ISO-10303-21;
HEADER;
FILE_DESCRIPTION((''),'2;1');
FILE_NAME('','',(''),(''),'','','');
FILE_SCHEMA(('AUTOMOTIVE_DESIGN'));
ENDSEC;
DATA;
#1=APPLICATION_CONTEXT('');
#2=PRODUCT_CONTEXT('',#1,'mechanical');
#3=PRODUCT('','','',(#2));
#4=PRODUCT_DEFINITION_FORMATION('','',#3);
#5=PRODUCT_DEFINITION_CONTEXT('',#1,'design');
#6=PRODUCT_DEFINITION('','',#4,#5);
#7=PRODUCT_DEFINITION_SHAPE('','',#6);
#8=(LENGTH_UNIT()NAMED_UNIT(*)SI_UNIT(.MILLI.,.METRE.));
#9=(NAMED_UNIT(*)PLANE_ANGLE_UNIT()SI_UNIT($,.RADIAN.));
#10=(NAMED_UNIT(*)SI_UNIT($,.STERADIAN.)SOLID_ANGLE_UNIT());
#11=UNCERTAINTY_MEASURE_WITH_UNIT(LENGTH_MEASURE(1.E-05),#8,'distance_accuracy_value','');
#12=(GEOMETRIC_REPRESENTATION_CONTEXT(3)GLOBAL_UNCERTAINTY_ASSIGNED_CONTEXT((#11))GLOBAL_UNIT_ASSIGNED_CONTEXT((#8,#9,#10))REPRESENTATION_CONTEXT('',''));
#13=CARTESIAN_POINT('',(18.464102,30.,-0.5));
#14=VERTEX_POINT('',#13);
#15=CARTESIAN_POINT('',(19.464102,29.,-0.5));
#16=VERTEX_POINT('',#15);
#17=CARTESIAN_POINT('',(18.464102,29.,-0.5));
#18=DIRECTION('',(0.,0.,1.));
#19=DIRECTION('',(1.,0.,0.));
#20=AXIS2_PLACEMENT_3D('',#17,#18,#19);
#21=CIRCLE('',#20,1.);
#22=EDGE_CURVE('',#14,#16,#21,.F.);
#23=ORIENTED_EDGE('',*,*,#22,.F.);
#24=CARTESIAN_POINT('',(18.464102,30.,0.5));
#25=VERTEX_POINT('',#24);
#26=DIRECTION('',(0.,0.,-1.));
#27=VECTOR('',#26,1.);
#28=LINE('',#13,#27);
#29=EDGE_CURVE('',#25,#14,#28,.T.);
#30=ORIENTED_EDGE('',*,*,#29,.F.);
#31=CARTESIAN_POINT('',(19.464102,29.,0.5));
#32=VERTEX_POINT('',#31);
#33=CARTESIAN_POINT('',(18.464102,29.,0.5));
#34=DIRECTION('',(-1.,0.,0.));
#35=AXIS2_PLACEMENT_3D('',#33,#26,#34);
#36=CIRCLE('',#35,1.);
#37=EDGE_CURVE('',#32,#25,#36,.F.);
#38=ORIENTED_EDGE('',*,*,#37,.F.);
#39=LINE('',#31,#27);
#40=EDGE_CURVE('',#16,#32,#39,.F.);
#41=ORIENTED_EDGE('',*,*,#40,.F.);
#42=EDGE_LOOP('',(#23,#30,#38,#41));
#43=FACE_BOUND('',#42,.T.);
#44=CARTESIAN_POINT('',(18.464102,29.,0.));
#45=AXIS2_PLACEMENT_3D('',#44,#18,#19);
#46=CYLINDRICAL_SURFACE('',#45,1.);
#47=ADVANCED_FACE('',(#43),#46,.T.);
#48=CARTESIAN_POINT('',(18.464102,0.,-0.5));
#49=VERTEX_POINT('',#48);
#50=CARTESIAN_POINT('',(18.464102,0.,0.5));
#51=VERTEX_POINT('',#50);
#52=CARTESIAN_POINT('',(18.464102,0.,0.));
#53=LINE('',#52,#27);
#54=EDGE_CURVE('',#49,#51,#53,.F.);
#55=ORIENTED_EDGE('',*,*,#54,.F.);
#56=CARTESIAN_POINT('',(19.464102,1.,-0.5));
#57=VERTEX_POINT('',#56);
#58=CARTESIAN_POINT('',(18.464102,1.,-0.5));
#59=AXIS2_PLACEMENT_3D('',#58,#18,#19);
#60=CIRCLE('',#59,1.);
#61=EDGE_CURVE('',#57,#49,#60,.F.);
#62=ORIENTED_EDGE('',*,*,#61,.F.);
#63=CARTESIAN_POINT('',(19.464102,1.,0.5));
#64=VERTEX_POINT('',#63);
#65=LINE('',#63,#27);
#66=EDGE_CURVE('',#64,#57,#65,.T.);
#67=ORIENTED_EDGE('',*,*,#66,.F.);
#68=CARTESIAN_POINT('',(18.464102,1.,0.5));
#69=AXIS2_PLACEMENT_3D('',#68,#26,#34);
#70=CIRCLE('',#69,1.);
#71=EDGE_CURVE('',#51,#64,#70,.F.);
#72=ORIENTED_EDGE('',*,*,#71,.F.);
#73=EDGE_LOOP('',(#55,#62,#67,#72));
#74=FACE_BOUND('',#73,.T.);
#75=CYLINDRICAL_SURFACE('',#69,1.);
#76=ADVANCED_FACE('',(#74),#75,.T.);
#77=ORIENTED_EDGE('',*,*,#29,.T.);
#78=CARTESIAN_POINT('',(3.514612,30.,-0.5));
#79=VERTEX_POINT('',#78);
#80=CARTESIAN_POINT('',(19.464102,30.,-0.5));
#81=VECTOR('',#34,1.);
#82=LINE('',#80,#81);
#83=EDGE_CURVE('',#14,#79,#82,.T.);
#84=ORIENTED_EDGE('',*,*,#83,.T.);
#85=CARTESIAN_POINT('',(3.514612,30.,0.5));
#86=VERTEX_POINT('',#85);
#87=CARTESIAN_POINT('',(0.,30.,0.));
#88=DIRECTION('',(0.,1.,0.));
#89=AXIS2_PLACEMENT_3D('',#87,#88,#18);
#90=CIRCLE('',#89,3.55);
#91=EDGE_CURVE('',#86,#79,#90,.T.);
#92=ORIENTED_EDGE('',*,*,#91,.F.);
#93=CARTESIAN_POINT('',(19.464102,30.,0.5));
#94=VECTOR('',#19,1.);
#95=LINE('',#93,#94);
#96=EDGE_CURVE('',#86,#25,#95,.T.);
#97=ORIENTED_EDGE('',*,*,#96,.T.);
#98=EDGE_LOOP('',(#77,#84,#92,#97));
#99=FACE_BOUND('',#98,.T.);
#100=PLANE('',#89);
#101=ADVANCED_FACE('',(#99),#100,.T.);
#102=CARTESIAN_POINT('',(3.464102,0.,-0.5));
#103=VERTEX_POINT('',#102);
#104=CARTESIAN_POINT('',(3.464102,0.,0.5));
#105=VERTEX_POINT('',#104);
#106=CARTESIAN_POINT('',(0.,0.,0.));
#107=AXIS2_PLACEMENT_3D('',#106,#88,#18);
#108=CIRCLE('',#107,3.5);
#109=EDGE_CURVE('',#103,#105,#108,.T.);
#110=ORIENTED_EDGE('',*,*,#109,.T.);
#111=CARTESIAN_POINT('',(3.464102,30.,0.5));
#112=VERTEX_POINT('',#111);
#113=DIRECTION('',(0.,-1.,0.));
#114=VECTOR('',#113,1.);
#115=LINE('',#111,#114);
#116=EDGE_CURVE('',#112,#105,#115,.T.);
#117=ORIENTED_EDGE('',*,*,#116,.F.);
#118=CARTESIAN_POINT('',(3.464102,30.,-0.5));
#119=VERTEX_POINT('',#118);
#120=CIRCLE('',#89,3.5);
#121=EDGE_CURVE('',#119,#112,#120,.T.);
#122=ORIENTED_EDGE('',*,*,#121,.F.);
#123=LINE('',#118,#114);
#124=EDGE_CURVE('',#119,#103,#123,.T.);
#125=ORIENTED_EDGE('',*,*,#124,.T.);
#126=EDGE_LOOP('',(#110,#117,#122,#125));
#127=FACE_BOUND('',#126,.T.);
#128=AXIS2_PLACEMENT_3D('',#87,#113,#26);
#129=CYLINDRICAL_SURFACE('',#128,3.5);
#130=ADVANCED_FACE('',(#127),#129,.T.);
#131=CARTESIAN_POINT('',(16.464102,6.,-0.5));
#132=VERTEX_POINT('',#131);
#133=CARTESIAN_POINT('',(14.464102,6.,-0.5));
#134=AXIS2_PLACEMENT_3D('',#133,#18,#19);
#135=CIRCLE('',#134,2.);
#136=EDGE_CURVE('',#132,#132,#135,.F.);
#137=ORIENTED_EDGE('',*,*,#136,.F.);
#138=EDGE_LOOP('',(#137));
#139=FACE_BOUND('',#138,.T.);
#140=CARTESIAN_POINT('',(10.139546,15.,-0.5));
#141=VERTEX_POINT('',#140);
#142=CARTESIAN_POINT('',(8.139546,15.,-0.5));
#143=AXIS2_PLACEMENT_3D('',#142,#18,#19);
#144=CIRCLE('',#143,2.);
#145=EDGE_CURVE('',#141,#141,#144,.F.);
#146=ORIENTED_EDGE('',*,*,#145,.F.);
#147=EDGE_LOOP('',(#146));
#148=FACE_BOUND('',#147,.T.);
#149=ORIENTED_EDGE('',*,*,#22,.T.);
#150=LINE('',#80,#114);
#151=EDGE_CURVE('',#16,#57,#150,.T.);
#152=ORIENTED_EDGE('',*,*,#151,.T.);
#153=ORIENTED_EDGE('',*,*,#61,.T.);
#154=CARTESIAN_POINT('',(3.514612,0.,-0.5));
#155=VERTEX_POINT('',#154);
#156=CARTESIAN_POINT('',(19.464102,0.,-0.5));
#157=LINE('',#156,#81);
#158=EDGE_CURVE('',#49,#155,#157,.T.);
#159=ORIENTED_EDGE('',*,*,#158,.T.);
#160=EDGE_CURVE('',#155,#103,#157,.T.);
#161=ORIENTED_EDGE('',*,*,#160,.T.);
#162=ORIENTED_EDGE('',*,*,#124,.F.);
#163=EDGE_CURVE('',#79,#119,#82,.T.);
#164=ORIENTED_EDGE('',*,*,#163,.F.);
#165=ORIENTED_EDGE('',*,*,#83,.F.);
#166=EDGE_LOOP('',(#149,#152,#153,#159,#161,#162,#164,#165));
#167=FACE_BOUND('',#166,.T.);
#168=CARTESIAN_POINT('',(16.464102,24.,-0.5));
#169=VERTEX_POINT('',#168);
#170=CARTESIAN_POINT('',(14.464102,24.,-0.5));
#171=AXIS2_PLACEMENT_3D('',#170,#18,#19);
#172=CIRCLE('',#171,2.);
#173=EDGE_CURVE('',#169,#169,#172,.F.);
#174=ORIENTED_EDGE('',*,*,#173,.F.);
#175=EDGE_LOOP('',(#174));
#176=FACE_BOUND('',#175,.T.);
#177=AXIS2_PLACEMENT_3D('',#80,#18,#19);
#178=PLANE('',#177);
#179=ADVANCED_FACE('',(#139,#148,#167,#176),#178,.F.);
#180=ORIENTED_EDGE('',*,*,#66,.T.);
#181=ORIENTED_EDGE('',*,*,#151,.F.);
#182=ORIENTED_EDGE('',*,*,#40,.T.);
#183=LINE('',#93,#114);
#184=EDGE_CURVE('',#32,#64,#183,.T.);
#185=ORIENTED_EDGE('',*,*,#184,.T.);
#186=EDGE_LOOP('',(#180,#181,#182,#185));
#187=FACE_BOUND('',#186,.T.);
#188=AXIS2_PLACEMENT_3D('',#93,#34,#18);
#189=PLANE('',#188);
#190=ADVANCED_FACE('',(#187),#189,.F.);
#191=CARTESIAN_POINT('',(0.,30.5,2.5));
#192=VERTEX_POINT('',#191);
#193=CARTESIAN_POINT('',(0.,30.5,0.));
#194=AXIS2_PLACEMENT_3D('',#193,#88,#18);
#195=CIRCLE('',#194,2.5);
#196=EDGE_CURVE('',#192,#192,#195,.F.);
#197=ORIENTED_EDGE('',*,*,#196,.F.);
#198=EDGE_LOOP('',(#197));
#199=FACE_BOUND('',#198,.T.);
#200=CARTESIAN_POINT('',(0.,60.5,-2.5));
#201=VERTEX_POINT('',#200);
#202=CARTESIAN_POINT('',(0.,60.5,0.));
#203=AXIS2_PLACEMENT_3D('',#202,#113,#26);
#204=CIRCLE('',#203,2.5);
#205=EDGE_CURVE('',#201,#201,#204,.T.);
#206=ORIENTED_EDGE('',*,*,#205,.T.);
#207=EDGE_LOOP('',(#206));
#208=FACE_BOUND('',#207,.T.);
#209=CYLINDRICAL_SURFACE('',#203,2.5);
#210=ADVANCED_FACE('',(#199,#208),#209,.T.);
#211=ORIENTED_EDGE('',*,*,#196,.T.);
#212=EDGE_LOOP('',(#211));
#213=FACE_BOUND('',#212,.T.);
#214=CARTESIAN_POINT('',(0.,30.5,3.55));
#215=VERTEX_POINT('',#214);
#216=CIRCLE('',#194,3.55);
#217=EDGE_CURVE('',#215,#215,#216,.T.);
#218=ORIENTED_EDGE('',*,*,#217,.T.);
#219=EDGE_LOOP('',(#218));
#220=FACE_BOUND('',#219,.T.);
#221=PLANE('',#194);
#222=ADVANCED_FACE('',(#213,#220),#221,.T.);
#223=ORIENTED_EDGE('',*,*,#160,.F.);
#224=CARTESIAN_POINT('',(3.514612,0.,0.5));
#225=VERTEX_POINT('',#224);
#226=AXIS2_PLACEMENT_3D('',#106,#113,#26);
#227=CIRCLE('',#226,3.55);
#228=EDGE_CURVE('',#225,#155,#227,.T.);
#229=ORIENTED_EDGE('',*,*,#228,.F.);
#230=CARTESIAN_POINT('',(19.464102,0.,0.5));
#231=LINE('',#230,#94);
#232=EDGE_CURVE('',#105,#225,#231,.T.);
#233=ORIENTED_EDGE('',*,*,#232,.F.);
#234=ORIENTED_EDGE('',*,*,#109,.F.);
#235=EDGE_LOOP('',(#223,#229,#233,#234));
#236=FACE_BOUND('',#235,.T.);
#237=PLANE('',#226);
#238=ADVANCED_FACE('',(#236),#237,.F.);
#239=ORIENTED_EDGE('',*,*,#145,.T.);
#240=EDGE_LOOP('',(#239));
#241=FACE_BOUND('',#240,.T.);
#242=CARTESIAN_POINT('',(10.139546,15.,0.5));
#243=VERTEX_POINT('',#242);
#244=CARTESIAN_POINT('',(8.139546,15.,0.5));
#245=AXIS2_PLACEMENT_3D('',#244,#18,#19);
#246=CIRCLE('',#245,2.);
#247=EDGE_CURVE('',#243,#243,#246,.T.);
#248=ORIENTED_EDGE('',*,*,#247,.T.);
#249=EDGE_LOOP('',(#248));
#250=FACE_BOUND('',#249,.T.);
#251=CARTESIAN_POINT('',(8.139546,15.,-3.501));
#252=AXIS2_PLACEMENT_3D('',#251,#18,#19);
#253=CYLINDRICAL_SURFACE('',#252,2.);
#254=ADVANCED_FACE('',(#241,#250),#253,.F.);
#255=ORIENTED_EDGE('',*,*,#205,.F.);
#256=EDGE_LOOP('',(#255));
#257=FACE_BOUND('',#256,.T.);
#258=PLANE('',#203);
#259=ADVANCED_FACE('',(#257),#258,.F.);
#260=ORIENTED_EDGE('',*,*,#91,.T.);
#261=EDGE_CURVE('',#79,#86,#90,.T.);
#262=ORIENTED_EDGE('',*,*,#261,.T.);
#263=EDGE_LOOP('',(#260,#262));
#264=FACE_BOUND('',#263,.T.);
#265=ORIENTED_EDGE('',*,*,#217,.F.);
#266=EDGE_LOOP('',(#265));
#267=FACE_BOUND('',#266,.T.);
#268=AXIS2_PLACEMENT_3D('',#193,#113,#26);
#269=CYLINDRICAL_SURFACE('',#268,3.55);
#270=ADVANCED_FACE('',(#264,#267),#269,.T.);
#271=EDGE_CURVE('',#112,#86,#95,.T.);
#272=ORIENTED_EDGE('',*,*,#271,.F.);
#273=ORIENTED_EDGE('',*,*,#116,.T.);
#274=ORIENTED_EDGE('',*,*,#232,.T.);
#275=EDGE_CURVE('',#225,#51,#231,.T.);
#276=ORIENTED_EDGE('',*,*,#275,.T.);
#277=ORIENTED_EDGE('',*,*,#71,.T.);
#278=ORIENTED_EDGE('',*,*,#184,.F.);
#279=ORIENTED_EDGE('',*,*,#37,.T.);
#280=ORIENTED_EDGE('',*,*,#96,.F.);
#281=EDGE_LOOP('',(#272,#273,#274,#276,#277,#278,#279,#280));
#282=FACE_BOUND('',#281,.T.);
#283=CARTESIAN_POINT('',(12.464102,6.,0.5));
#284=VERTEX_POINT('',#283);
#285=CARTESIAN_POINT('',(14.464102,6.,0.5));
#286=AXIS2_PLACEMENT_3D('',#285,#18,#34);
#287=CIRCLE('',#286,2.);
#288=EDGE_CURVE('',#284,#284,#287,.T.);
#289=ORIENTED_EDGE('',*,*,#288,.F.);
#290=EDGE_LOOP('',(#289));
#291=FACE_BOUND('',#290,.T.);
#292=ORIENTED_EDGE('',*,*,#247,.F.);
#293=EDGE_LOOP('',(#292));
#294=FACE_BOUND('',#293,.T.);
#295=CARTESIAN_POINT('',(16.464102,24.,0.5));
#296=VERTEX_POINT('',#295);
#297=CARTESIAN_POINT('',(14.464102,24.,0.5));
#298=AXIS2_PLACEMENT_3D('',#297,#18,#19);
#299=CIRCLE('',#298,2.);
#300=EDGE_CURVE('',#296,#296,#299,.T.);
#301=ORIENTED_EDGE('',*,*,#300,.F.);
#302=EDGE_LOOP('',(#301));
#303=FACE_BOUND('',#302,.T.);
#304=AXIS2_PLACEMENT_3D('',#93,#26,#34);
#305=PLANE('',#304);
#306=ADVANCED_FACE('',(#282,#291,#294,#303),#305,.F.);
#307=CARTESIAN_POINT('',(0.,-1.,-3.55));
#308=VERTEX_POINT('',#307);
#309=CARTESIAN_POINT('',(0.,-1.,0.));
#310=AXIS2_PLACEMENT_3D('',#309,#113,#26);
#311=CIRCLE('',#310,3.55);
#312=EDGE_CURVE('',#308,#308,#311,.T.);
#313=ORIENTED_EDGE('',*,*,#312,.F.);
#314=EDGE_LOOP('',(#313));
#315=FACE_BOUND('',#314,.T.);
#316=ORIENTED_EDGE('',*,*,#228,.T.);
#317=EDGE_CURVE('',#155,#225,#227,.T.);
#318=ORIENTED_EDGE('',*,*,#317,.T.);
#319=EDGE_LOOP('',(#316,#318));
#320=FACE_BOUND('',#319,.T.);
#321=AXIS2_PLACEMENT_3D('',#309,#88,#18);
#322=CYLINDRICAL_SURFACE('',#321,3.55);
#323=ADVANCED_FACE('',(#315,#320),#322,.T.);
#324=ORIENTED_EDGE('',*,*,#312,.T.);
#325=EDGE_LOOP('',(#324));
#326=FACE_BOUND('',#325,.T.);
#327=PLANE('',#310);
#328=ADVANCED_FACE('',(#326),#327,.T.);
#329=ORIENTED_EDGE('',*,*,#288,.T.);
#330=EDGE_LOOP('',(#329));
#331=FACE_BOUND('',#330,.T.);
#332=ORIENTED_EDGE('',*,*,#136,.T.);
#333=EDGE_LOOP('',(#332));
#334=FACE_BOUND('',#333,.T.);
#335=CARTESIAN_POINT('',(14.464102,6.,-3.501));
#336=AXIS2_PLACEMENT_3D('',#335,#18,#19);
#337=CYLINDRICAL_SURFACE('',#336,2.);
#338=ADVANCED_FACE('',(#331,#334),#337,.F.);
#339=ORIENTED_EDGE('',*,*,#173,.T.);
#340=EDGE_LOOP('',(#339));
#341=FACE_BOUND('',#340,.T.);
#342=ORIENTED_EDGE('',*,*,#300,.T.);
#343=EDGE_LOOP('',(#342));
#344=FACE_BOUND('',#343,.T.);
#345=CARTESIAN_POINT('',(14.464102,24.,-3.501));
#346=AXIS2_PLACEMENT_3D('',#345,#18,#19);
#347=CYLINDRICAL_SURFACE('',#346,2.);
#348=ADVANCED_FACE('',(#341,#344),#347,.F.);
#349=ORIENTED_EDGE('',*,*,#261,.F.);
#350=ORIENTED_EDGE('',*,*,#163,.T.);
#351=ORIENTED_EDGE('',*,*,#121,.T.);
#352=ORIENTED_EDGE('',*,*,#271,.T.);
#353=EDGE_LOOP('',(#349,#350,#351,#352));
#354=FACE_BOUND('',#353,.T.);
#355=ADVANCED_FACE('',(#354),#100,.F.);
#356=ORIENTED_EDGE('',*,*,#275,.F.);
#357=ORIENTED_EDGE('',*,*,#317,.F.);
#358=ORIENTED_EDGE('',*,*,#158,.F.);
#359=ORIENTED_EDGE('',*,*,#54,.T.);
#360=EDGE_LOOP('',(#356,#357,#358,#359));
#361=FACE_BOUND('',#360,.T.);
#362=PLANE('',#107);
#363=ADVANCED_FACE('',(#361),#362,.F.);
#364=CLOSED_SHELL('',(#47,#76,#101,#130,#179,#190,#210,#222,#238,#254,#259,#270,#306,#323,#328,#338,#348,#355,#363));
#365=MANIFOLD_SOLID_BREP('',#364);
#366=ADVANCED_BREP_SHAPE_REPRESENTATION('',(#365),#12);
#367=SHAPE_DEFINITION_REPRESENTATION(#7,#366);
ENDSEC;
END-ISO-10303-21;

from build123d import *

# Parameters (mm, degrees)
SKETCH_1_R          = 2.5
EXTRUDE_1_DEPTH     = 30
CUT_EXTRUDE_1_REACH = 37.984
SKETCH_2_R          = 2
FILLET_1_R          = 1
SKETCH_3_R          = 2.5
EXTRUDE_2_DEPTH     = 60.5
SKETCH_4_R          = 3.55
EXTRUDE_3_DEPTH     = 1
SKETCH_5_R          = 3.55
SKETCH_5_R_2        = 2.5
EXTRUDE_4_DEPTH     = 0.5


with BuildPart() as part:
    # 草图1 → 凸台-拉伸1 (new body)
    with BuildSketch(Plane(origin=(0, 0, 0), x_dir=(1, 0, 0), z_dir=(0, 1, 0))):
        with BuildLine():
            Line((19.464101615, -0.5), (3.464101615, -0.5))
            ThreePointArc((3.464101615, -0.5), (-3.5, 0), (3.464101615, 0.5))
            Line((3.464101615, 0.5), (19.464101615, 0.5))
            Line((19.464101615, 0.5), (19.464101615, -0.5))
        make_face()
        with Locations(Location((0, 0, 0), (0, 0, 270))):
            Circle(SKETCH_1_R, mode=Mode.SUBTRACT)
    extrude(amount=EXTRUDE_1_DEPTH)

    # 草图2 → 切除-拉伸1 (cut, up to next)
    with BuildSketch(Plane.XY.offset(0.5), mode=Mode.PRIVATE) as cut_extrude_1_sk1:
        with Locations((14.464101615, 24)):
            Circle(SKETCH_2_R)
    cut_extrude_1_tool1 = extrude(cut_extrude_1_sk1.sketch, amount=-CUT_EXTRUDE_1_REACH, mode=Mode.PRIVATE) & part.part
    # 草图2 → 切除-拉伸1 (cut, up to next)
    with BuildSketch(Plane.XY.offset(0.5), mode=Mode.PRIVATE) as cut_extrude_1_sk2:
        with Locations((8.139546295, 15)):
            Circle(SKETCH_2_R)
    cut_extrude_1_tool2 = extrude(cut_extrude_1_sk2.sketch, amount=-CUT_EXTRUDE_1_REACH, mode=Mode.PRIVATE) & part.part
    # 草图2 → 切除-拉伸1 (cut, up to next)
    with BuildSketch(Plane.XY.offset(0.5), mode=Mode.PRIVATE) as cut_extrude_1_sk3:
        with Locations((14.464101615, 6)):
            Circle(SKETCH_2_R)
    cut_extrude_1_tool3 = extrude(cut_extrude_1_sk3.sketch, amount=-CUT_EXTRUDE_1_REACH, mode=Mode.PRIVATE) & part.part
    add(cut_extrude_1_tool1.solids().sort_by_distance((14.464102, 24, 0.5))[0], mode=Mode.SUBTRACT)
    add(cut_extrude_1_tool2.solids().sort_by_distance((8.139546, 15, 0.5))[0], mode=Mode.SUBTRACT)
    add(cut_extrude_1_tool3.solids().sort_by_distance((14.464102, 6, 0.5))[0], mode=Mode.SUBTRACT)

    # 圆角1
    fillet_1_edges = [part.edges().sort_by_distance(p)[0] for p in [
        (19.464101615, 30, 0),
        (19.464101615, 0, 0),
    ]]
    fillet(fillet_1_edges, radius=FILLET_1_R)

    # 草图3 → 凸台-拉伸2 (add)
    with BuildSketch(Plane.XZ):
        with Locations(Location((0, 0, 0), (0, 0, 270))):
            Circle(SKETCH_3_R)
    extrude(amount=-EXTRUDE_2_DEPTH)

    # 草图4 → 凸台-拉伸3 (add)
    with BuildSketch(Plane.XZ):
        with Locations(Location((0, 0, 0), (0, 0, 8.09674977))):
            Circle(SKETCH_4_R)
    extrude(amount=EXTRUDE_3_DEPTH)

    # 草图5 → 凸台-拉伸4 (add)
    with BuildSketch(Plane(origin=(0, 30, 0), x_dir=(1, 0, 0), z_dir=(0, 1, 0))):
        with Locations(Location((0, 0, 0), (0, 0, 351.90325023))):
            Circle(SKETCH_5_R)
        with Locations(Location((0, 0, 0), (0, 0, 90))):
            Circle(SKETCH_5_R_2, mode=Mode.SUBTRACT)
    extrude(amount=EXTRUDE_4_DEPTH)


solid = part.part
